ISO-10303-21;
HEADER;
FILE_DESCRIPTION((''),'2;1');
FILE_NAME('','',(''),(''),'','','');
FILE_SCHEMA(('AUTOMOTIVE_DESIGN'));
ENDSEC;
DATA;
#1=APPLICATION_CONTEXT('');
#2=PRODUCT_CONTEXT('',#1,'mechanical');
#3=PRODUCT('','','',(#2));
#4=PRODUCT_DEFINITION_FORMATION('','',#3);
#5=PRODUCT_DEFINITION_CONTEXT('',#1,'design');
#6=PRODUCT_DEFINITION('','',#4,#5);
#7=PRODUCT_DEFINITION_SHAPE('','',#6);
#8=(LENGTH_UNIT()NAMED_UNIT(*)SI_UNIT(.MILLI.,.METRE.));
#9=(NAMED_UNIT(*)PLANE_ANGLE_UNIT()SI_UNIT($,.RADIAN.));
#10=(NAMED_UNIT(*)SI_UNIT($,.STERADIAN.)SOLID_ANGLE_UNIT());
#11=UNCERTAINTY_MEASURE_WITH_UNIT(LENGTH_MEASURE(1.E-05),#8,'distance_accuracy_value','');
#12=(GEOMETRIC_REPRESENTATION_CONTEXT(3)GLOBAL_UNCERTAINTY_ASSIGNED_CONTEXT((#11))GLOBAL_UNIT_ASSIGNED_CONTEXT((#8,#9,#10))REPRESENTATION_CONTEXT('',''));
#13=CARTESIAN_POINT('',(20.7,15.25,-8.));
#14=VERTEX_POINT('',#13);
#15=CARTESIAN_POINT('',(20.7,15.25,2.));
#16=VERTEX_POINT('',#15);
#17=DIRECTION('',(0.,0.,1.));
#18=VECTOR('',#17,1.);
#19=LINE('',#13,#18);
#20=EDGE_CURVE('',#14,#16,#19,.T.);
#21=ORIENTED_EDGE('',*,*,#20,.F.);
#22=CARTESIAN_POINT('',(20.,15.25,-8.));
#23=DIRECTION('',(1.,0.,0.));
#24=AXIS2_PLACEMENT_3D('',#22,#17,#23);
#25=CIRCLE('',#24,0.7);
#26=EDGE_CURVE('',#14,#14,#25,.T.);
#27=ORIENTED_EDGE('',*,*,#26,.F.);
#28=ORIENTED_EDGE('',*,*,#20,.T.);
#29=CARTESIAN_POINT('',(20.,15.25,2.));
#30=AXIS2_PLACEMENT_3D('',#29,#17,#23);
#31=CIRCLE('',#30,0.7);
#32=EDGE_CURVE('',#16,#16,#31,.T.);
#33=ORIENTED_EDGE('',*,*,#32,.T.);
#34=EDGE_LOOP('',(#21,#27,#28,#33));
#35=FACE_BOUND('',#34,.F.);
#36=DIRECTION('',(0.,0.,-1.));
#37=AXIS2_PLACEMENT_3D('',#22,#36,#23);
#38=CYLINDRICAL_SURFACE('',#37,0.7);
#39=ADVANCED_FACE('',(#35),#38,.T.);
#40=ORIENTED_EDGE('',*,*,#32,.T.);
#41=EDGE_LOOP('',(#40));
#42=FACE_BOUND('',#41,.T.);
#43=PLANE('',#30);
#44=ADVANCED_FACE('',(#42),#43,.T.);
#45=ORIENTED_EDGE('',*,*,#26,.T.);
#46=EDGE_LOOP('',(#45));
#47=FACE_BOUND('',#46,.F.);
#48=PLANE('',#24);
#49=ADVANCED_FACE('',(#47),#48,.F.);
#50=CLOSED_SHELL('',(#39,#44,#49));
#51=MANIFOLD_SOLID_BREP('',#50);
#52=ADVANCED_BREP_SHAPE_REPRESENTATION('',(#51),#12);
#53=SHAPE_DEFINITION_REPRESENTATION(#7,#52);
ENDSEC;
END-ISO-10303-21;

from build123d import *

# Parameters (mm, degrees)
CYLINDER_R     = 0.7
CYLINDER_DEPTH = 10


with BuildPart() as cilindro:
    # Cylinder → Cylinder (new body)
    with BuildSketch(Plane(origin=(2, 1.75, -8), x_dir=(1, 0, 0), z_dir=(0, 0, 1))):
        Circle(CYLINDER_R)
    extrude(amount=CYLINDER_DEPTH)


with BuildPart() as part_mirroring:
    # Part__Mirroring: instance of Cilindro
    add(cilindro.part.mirror(Plane(origin=(0, 0, 0), x_dir=(0, 1, 0), z_dir=(0, 0, 1))))


with BuildPart() as part_mirroring_1:
    # Part__Mirroring placement: moved
    add(part_mirroring.part.moved(Location((0, 13.5, -6))))


with BuildPart() as part_mirroring002:
    # Part__Mirroring002: instance of Part__Mirroring
    add(part_mirroring_1.part.mirror(Plane(origin=(0, 0, 0), x_dir=(0, 1, 0), z_dir=(0, 0, 1))))


with BuildPart() as part_mirroring002_1:
    # Part__Mirroring002 placement: moved
    add(part_mirroring002.part.moved(Location((18, 0, -6))))


solid = part_mirroring002_1.part
